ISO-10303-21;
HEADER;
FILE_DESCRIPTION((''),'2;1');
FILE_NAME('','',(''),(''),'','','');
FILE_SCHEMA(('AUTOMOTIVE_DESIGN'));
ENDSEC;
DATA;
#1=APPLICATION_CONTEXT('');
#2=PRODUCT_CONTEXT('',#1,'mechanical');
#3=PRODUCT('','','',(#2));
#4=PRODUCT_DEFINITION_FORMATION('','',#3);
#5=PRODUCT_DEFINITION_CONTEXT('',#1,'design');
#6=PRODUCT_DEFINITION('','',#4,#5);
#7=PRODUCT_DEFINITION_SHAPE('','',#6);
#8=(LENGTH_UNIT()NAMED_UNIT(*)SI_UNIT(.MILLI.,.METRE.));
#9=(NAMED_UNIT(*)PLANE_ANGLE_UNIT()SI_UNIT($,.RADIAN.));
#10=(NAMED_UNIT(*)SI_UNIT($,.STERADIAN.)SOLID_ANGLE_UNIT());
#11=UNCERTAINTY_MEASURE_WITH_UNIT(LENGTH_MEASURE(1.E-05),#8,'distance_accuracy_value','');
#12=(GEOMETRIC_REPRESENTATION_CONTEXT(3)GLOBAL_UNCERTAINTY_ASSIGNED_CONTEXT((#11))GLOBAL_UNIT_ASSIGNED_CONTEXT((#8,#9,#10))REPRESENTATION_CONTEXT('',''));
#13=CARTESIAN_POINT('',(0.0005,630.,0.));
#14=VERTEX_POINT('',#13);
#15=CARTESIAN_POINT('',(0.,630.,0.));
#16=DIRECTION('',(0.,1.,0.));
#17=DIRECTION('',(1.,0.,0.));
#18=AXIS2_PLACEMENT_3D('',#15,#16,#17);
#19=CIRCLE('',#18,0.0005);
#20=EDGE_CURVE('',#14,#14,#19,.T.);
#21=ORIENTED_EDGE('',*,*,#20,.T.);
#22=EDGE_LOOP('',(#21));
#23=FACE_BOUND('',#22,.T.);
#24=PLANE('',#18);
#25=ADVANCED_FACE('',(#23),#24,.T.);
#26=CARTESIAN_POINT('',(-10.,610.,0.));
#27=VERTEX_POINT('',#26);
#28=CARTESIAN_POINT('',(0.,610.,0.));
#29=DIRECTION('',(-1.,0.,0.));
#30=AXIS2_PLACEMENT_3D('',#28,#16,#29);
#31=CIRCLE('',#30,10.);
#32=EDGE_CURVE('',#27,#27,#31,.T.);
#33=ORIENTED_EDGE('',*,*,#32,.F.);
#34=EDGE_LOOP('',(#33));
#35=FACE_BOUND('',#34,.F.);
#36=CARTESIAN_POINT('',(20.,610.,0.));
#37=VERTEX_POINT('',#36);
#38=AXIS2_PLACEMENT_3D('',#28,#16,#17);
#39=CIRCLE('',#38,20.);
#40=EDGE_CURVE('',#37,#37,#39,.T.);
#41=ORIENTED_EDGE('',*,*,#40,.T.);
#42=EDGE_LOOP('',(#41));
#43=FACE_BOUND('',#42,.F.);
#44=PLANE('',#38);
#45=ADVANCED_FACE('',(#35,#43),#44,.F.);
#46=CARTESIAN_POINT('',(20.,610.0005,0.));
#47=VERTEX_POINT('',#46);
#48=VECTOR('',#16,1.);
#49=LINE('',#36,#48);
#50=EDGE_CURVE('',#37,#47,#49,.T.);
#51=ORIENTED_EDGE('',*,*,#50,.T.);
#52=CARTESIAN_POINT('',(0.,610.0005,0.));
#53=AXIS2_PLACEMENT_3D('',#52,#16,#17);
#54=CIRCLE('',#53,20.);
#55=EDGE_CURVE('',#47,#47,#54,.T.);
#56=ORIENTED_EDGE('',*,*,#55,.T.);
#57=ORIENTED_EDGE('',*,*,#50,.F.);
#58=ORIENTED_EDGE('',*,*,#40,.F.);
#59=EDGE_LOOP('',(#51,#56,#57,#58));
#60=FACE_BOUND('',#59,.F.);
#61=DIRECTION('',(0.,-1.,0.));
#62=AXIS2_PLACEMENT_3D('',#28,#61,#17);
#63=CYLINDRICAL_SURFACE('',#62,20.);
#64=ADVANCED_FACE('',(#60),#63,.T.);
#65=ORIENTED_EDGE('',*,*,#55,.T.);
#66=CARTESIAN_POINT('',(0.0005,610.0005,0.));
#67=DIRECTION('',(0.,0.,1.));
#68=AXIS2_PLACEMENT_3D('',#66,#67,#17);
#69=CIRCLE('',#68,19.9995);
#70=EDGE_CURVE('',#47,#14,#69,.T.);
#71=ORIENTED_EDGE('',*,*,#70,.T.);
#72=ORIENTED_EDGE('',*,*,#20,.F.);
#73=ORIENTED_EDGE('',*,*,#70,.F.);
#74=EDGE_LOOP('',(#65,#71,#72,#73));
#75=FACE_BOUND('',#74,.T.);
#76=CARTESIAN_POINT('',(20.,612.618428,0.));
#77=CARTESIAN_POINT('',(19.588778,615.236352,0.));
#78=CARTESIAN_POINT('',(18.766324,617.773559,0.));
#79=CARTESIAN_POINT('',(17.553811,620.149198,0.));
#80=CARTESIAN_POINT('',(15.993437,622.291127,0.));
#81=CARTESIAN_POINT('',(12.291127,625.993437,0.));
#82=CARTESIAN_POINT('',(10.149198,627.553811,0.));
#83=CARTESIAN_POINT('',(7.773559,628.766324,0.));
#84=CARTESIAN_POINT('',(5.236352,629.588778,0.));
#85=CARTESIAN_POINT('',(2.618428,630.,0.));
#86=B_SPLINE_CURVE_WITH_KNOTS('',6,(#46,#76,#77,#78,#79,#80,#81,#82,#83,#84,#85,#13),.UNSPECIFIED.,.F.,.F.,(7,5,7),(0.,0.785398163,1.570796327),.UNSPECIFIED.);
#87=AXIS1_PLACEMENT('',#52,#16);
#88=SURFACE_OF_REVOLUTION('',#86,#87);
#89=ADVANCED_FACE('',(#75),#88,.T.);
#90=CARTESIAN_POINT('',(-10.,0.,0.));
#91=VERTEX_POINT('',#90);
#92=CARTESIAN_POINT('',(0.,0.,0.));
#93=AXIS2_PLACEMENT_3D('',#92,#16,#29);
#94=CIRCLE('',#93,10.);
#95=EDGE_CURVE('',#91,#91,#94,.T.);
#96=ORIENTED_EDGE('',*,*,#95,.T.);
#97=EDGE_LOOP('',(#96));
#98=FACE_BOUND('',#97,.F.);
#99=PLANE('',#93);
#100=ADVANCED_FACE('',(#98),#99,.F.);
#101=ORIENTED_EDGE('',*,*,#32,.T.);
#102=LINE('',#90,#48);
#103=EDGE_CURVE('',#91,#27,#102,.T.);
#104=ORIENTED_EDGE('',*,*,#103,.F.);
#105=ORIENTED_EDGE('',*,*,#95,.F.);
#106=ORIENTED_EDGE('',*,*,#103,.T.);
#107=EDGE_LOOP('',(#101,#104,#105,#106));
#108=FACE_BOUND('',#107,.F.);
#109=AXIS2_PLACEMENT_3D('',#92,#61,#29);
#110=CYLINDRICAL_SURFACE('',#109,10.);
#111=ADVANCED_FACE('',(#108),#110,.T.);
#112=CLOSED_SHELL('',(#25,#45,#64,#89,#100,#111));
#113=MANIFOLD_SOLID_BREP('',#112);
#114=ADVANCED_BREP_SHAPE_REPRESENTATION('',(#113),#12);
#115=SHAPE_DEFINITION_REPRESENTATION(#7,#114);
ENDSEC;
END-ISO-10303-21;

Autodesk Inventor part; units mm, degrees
ref_plane "YZ Plane" through (0, 0, 0) normal (1, 0, 0) x (0, 1, 0)
ref_plane "XZ Plane" through (0, 0, 0) normal (0, 1, 0) x (-1, 0, 0)
ref_plane "XY Plane" through (0, 0, 0) normal (0, 0, 1) x (1, 0, 0)
sketch "Sketch1" plane through (0, 0, 0) normal (0, 1, 0) x (-1, 0, 0)
  circle A0 centre (0, 0) radius 10
  dimension "d0" = 20
extrude "Extrusion1" add sketch "Sketch1" along normal blind 610
sketch "Sketch2" plane through (0, 610, 0) normal (0, 1, 0) x (1, 0, 0)
  circle A0 centre (0, 0) radius 20
  dimension "d3" = 40
extrude "Extrusion2" add sketch "Sketch2" along normal blind 20
fillet "Fillet1" radius 20 1 edges at (-20, 630, 0)
sketch "Sketch3" plane through (0, 0, 0) normal (0, 0, 1) x (1, 0, 0)
  line L0 (20, 610) -> (-20, 610) projected
  line L1 (-20, 610) -> (20, 610)
  line L2 (20, 610) -> (20, 469.6128)
  line L3 (20, 469.6128) -> (-20, 469.6128)
  line L4 (-20, 469.6128) -> (-20, 610)
  point P0 (0, 0)
split_face "Split1"
sketch "Sketch4" plane through (0, 0, 0) normal (0, 0, 1) x (1, 0, 0)
  line L0 (0, 0) -> (27.9883, 0)
  line L1 (27.9883, 0) -> (27.9883, 20.3959)
  line L2 (27.9883, 20.3959) -> (-23.698, 20.3959)
  line L3 (-23.698, 20.3959) -> (-23.698, 0)
  line L4 (-23.698, 0) -> (27.9883, 0)
split_face "Split2"
sketch "Sketch5" plane through (0, 0, 0) normal (0, 0, 1) x (1, 0, 0)
  line L0 (10, 469.6128) -> (-10, 469.6128) projected
  line L1 (-6.0106, 469.6128) -> (-6.0106, 612.6424)
  line L2 (-6.0106, 612.6424) -> (-55.0341, 605.0239)
  line L3 (-55.0341, 605.0239) -> (-35.491, 440.7287)
  line L4 (-35.491, 440.7287) -> (-6.0106, 469.6128)
  point P0 (0, 0)
split_face "Split3"
properties part number "Haste Contrapeso" material "Steel, Carbon"
